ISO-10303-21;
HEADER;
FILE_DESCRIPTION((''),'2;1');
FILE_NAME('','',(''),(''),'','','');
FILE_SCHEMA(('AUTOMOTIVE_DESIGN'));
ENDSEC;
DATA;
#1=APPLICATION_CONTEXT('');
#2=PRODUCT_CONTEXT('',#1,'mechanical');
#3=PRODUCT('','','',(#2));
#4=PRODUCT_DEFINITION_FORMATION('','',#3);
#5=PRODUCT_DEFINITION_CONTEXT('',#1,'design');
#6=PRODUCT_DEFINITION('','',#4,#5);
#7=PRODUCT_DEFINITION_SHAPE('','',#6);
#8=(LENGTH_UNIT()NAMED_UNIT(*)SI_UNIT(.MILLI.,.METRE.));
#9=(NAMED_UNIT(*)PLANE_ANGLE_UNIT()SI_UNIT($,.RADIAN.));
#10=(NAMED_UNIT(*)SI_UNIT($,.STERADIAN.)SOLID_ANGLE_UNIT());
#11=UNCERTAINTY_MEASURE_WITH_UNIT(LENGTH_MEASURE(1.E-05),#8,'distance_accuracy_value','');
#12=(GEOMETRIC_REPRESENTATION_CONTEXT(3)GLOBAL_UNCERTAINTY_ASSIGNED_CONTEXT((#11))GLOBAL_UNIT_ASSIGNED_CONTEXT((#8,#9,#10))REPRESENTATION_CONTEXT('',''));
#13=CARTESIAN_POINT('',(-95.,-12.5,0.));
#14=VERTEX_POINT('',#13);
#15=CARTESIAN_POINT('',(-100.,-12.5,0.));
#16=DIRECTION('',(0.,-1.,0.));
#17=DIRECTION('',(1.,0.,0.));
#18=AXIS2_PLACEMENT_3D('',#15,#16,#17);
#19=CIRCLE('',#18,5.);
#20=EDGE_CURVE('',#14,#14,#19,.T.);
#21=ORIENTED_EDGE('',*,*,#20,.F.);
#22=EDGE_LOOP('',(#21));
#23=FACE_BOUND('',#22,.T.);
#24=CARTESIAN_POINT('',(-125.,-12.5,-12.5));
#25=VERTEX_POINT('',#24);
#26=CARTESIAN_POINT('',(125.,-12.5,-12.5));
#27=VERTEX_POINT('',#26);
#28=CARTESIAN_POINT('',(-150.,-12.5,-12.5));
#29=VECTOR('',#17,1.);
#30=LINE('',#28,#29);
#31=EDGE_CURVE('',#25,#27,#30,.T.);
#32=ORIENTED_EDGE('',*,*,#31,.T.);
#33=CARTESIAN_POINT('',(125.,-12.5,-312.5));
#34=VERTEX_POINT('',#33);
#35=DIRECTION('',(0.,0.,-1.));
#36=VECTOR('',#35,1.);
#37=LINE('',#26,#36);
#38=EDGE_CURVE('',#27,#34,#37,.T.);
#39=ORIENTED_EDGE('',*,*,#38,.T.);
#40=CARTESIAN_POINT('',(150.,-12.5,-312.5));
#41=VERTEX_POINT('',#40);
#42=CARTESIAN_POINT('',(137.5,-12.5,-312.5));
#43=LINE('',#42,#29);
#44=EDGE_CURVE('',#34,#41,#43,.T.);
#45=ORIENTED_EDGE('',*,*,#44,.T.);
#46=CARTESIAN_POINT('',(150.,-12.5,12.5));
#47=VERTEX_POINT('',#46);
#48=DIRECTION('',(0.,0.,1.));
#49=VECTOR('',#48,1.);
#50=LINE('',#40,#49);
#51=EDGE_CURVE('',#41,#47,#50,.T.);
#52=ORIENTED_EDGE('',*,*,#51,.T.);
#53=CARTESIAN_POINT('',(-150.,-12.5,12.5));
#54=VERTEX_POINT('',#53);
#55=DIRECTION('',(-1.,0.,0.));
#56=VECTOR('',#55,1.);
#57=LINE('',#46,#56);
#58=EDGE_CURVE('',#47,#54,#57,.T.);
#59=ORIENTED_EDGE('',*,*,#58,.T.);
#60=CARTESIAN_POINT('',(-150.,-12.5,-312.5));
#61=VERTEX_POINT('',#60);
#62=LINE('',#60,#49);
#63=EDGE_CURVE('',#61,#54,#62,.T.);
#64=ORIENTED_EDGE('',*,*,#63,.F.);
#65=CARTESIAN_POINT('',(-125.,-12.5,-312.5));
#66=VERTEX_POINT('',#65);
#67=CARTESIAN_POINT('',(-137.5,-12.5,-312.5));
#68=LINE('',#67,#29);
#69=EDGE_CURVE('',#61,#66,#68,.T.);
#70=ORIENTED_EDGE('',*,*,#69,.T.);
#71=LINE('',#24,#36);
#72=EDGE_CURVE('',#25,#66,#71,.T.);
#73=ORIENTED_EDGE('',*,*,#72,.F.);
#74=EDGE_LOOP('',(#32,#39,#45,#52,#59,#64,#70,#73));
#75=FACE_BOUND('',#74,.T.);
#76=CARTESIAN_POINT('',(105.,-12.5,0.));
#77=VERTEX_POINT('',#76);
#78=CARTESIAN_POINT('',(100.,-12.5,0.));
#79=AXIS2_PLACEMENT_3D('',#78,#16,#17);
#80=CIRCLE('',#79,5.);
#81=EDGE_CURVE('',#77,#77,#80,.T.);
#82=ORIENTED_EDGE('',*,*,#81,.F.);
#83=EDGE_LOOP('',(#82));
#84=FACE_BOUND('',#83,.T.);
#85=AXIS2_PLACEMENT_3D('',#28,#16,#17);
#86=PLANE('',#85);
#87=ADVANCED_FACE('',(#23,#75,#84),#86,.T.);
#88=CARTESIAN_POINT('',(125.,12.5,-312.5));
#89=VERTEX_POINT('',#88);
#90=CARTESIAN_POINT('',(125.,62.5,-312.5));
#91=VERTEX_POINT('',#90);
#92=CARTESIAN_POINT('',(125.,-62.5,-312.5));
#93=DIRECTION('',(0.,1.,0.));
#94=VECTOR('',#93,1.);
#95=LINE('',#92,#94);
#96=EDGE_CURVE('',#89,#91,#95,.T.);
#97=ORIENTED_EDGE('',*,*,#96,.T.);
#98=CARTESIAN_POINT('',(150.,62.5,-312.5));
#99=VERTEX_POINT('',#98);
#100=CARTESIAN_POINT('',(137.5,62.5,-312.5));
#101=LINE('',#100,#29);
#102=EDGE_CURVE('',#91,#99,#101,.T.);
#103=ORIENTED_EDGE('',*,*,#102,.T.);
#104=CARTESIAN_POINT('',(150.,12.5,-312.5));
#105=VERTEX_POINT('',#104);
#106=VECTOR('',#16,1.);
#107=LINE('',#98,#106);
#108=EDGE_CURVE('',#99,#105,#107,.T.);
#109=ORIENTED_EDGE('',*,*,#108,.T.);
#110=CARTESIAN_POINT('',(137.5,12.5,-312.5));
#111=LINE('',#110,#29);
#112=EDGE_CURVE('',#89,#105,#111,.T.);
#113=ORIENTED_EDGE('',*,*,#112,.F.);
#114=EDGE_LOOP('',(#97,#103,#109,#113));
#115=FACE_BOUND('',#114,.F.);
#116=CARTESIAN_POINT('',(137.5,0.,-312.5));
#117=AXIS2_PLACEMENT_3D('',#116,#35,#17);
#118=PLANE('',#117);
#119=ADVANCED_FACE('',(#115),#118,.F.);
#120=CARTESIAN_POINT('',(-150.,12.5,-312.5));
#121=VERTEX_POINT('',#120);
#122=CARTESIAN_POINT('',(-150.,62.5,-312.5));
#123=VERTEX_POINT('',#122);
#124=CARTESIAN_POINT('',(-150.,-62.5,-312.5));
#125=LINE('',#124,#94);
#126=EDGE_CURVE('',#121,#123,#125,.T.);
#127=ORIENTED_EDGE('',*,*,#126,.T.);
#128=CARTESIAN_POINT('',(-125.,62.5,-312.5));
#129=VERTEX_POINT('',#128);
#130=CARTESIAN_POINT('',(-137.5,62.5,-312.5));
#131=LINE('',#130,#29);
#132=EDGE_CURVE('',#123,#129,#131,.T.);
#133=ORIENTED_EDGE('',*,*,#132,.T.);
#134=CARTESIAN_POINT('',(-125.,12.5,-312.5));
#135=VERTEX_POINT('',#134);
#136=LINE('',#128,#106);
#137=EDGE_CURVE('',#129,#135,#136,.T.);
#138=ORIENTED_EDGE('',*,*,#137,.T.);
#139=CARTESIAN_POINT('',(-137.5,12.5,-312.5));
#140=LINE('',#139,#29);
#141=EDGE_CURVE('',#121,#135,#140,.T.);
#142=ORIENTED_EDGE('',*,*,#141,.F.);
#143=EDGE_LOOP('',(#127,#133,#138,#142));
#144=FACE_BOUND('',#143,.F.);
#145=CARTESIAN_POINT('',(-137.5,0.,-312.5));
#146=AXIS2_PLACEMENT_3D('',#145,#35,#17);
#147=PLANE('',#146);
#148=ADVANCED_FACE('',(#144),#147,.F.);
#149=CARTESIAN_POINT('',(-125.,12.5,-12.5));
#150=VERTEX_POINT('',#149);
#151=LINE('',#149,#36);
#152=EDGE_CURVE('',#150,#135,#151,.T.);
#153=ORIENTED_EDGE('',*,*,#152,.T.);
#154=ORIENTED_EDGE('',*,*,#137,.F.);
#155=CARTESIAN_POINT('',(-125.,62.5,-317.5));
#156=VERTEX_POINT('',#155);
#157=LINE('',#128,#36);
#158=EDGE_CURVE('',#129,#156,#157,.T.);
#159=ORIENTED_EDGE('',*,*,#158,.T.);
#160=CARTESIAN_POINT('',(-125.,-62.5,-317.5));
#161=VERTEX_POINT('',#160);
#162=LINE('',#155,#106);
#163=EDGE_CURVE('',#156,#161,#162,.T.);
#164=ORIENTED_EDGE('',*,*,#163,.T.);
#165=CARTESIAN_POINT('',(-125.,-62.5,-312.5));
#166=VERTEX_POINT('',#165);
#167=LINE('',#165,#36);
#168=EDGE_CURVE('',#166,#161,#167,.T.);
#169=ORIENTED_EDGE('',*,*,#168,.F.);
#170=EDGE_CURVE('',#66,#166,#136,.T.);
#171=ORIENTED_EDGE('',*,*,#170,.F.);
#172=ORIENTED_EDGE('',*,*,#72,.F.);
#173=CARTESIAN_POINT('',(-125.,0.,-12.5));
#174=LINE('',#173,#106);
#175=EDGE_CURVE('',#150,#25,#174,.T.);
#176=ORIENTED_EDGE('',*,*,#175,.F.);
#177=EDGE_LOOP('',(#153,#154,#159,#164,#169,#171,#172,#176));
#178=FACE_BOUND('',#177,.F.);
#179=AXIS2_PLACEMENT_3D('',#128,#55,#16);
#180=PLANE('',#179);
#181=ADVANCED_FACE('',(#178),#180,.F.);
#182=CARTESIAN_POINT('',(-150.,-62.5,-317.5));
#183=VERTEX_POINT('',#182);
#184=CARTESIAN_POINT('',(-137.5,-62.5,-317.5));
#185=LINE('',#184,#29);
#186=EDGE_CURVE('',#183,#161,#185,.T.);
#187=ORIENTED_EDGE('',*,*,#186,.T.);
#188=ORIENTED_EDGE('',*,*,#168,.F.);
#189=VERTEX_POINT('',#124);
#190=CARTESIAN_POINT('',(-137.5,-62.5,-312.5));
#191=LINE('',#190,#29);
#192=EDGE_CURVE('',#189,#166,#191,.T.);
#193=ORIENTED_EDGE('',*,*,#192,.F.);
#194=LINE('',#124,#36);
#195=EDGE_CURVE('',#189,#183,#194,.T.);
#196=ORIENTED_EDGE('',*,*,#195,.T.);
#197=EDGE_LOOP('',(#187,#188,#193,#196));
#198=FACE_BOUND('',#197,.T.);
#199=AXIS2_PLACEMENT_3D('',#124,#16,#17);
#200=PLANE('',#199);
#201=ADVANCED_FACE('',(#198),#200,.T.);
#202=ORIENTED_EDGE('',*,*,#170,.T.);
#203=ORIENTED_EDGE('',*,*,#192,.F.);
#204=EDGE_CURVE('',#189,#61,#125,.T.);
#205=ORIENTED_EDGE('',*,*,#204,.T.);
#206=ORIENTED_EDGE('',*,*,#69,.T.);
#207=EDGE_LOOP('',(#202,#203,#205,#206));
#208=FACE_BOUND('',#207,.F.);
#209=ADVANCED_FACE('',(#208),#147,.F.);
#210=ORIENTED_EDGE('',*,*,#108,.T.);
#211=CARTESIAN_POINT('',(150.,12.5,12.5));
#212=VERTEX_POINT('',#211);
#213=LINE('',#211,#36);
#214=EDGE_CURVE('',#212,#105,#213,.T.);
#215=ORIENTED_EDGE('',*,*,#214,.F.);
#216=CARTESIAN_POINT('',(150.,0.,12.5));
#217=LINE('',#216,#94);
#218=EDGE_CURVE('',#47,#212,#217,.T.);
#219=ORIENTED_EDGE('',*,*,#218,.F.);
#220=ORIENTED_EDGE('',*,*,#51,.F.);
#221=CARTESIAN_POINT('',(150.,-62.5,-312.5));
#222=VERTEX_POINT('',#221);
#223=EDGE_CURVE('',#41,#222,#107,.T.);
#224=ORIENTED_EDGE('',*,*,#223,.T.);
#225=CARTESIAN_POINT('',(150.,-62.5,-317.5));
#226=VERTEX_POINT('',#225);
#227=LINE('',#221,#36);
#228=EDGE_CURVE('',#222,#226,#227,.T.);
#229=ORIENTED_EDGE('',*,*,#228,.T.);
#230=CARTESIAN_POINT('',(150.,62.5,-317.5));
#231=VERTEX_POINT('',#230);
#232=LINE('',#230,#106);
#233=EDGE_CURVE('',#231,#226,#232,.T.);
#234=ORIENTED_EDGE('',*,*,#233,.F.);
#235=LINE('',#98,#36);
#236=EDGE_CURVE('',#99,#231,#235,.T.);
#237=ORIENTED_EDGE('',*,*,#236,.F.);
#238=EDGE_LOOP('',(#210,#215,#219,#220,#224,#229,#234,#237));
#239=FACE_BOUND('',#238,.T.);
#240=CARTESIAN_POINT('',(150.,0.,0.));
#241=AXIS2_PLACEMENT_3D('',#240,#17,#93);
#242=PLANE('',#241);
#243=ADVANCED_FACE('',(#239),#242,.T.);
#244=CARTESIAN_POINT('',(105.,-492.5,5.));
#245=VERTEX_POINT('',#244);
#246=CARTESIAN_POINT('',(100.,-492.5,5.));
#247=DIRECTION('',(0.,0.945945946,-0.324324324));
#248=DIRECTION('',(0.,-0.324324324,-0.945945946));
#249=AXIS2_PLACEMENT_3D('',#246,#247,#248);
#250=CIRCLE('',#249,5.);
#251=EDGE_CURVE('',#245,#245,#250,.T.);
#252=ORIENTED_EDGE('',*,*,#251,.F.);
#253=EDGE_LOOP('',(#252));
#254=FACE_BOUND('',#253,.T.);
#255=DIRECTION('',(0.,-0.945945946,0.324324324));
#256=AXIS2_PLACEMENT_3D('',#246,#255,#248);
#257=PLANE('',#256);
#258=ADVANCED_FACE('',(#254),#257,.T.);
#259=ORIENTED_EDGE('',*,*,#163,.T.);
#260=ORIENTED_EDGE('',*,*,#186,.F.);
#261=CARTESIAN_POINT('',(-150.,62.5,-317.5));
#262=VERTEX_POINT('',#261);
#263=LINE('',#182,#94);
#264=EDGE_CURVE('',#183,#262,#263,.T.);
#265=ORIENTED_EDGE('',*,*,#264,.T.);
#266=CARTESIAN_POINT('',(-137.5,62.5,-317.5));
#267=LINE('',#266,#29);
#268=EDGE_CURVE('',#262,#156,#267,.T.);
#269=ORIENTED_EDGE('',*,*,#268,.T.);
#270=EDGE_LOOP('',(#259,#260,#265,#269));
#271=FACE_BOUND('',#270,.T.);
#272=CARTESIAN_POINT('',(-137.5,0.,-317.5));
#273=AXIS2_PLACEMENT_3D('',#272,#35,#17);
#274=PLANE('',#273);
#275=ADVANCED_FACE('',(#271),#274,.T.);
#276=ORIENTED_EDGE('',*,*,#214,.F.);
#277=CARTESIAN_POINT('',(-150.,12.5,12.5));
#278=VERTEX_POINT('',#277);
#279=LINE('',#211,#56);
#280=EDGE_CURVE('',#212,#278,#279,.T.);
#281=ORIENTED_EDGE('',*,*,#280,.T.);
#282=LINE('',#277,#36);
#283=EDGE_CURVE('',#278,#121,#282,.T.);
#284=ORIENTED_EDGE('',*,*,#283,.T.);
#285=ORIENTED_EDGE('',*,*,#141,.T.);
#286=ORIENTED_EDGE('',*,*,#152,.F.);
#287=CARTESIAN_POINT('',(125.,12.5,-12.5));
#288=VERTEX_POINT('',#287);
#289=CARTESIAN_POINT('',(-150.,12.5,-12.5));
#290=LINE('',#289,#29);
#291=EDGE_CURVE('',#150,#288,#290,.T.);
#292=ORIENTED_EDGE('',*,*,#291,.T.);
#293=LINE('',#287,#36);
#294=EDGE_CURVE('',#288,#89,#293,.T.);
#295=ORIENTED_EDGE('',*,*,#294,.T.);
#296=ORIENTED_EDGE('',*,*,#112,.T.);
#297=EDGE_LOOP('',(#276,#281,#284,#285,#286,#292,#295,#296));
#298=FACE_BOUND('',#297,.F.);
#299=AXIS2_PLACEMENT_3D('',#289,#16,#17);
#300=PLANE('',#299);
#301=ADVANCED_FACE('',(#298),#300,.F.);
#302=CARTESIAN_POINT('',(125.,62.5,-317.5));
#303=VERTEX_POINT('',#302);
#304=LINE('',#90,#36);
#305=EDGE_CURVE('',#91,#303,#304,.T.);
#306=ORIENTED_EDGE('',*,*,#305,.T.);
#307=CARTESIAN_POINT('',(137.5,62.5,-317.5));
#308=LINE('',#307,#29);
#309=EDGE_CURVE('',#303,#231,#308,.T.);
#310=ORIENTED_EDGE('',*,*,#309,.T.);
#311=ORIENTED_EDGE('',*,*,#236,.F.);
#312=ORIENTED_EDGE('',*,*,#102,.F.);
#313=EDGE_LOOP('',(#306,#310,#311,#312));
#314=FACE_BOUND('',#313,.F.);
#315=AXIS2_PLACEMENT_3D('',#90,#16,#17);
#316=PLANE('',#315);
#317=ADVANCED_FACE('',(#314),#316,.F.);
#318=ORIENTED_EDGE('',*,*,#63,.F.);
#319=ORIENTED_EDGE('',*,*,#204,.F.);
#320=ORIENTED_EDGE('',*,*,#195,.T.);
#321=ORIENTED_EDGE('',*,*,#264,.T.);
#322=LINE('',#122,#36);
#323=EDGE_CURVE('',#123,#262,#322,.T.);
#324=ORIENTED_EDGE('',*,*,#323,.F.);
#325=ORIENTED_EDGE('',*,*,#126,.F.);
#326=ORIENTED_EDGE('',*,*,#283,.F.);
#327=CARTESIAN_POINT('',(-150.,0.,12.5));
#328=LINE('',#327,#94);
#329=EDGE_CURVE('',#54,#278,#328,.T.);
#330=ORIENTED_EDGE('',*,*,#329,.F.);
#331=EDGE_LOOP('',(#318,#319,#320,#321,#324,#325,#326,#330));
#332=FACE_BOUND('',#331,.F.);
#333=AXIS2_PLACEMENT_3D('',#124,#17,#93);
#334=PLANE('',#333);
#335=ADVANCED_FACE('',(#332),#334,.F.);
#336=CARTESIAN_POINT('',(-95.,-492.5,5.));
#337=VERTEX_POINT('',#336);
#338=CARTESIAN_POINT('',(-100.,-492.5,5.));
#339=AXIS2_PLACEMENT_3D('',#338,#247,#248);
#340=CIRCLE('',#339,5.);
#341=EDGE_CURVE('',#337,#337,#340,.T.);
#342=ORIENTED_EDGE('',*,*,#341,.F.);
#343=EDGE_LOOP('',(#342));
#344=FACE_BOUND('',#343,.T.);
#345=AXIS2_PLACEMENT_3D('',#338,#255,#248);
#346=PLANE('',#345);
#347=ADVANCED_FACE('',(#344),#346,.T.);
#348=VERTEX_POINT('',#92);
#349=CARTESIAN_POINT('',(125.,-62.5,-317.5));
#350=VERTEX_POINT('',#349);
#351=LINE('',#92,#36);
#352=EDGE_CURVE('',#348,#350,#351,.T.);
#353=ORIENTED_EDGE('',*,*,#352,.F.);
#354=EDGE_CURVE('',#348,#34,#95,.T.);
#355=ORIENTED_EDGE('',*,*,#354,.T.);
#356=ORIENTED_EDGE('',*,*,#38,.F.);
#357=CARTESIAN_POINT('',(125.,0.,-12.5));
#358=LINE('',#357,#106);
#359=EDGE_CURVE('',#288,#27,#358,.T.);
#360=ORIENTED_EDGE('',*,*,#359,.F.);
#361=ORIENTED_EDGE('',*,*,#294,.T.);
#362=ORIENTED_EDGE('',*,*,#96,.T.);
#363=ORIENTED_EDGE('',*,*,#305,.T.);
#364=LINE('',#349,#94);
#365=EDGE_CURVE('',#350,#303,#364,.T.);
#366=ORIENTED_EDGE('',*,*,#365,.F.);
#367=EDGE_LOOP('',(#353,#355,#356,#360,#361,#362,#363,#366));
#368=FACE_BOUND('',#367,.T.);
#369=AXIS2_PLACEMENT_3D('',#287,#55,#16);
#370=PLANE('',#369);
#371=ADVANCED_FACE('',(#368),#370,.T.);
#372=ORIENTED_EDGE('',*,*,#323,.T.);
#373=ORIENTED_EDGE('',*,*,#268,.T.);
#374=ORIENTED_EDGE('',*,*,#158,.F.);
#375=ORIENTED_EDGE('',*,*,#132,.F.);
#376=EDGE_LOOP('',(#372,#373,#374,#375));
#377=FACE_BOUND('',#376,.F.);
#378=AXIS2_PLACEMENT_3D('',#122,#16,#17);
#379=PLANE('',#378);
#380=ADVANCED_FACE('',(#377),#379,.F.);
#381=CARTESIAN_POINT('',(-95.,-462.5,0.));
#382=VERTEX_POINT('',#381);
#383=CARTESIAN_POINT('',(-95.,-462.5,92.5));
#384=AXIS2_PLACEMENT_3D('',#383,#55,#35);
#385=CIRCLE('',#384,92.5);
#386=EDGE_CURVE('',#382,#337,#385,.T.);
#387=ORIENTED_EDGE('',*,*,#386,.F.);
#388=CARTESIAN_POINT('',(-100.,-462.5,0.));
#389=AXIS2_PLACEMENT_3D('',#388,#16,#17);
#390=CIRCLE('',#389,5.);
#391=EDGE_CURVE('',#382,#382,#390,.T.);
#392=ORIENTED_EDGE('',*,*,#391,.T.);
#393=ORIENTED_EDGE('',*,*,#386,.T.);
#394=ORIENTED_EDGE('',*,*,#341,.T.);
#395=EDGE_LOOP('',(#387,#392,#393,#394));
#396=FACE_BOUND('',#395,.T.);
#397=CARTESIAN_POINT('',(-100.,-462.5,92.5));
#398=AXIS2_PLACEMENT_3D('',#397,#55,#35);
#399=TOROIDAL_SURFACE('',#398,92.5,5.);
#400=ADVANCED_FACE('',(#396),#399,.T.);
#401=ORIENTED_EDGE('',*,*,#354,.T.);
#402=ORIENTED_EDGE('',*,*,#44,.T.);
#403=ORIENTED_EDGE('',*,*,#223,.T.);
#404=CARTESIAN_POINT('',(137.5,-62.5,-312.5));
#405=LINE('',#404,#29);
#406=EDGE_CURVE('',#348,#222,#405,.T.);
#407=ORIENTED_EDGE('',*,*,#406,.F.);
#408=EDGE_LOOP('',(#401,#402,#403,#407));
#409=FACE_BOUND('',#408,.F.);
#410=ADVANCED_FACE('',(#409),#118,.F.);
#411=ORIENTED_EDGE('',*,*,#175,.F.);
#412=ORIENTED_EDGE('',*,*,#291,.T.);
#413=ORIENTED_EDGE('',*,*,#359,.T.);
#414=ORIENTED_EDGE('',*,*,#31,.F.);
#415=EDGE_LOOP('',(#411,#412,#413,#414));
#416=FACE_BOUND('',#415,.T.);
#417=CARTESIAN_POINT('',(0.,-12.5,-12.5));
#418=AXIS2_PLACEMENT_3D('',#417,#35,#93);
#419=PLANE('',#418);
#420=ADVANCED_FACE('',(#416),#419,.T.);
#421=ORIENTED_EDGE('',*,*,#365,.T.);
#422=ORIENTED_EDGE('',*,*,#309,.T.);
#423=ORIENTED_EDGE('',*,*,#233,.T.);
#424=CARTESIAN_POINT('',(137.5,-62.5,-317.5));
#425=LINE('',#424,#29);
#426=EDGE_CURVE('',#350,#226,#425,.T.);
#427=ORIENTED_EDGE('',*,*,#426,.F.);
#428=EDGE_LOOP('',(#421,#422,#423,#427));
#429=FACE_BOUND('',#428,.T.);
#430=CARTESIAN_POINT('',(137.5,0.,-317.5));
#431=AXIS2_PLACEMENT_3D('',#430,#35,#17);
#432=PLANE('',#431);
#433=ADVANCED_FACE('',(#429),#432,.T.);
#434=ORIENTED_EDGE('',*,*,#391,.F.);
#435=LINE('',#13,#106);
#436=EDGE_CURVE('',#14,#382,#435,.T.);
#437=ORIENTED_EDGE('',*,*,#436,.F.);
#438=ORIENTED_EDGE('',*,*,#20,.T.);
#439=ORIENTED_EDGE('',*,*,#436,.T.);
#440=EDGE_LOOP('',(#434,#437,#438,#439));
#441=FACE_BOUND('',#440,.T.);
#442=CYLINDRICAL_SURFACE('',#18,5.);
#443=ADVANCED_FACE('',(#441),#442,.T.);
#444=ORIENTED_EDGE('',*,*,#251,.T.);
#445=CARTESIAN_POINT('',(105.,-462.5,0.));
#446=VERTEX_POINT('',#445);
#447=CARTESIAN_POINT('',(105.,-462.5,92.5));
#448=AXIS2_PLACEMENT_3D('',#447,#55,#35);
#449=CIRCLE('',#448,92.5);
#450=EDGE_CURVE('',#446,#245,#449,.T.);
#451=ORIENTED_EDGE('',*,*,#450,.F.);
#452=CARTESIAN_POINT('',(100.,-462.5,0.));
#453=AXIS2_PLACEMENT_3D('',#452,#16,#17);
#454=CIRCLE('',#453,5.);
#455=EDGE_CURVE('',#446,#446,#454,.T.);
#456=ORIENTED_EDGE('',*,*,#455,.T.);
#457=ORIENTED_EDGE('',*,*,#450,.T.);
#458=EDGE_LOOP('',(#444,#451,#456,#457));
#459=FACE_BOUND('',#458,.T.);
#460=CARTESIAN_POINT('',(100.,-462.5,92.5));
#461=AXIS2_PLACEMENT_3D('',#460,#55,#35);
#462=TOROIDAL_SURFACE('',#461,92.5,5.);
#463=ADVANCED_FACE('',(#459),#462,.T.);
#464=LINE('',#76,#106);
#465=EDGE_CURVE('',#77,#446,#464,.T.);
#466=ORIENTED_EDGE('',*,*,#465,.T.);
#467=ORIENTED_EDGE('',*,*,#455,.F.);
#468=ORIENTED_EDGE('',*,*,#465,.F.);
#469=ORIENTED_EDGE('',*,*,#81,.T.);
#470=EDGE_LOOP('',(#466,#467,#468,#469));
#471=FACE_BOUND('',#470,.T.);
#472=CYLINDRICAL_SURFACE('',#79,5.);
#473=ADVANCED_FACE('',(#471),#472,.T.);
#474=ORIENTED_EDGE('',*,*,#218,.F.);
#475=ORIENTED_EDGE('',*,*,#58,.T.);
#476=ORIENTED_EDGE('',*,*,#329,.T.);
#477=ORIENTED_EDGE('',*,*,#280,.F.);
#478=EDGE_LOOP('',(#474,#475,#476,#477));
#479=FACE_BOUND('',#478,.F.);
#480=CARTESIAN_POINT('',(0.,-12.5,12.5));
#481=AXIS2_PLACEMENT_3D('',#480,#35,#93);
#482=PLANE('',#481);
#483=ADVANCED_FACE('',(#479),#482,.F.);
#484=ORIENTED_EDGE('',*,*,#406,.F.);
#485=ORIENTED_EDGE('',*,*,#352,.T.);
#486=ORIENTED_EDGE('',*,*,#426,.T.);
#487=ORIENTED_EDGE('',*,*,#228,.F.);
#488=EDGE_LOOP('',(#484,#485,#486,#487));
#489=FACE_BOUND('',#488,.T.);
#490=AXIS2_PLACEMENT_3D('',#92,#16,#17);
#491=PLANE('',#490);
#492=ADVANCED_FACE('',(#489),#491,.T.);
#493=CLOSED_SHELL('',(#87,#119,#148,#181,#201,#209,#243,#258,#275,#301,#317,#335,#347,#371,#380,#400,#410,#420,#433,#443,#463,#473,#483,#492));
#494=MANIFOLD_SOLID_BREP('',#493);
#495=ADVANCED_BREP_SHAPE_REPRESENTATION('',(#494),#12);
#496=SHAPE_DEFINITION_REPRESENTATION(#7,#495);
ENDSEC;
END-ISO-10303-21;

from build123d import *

# Parameters (mm, degrees)
F0_W          = 25
F0_H          = 25
F1_DEPTH      = 150
F1_DEPTH_BACK = 150
F2_R          = 5
F5_W          = 25
F5_H          = 25
F6_DEPTH      = 300
F7_W          = 25
F7_H          = 25
F7_H_2        = 50
F8_DEPTH      = 5


with BuildPart() as f1:
    # F0 (on Right) → F1 (new body, two sides)
    with BuildSketch(Plane.YZ) as f1_sk:
        Rectangle(F0_W, F0_H)
    extrude(amount=F1_DEPTH)
    extrude(f1_sk.sketch, amount=-F1_DEPTH_BACK)

    # F4: sweep along a path in F3
    with BuildLine(Plane.YZ) as f4_path:
        Line((-12.5, 0), (-462.5, 0))
        ThreePointArc((-462.5, 0), (-477.7069063257, 1.2585620455), (-492.5, 5))
    # F2 (on face) → F4 (sweep)
    with BuildSketch(Plane.XZ.offset(12.5)):
        with Locations((-100, 0)):
            Circle(F2_R)
        with Locations((100, 0)):
            Circle(F2_R)
    sweep(path=f4_path.line)

    # F5 (on face) → F6 (join)
    with BuildSketch(Plane(origin=(0, 0, -12.5), x_dir=(1, 0, 0), z_dir=(0, 0, -1))):
        with Locations((-137.5, 0)):
            Rectangle(F5_W, F5_H)
        with Locations((137.5, 0)):
            Rectangle(F5_W, F5_H)
    extrude(amount=F6_DEPTH)

    # F7 (on face) → F8 (join)
    with BuildSketch(Plane(origin=(0, 0, -312.5), x_dir=(1, 0, 0), z_dir=(0, 0, -1))):
        with Locations((-137.5, 0)):
            Rectangle(F7_W, F7_H)
        with Locations((-137.5, -37.5)):
            Rectangle(F7_W, F7_H_2)
        with Locations((-137.5, 37.5)):
            Rectangle(F7_W, F7_H_2)
        with Locations((137.5, 0)):
            Rectangle(F7_W, F7_H)
        with Locations((137.5, 37.5)):
            Rectangle(F7_W, F7_H_2)
        with Locations((137.5, -37.5)):
            Rectangle(F7_W, F7_H_2)
    extrude(amount=F8_DEPTH)


solid = f1.part
